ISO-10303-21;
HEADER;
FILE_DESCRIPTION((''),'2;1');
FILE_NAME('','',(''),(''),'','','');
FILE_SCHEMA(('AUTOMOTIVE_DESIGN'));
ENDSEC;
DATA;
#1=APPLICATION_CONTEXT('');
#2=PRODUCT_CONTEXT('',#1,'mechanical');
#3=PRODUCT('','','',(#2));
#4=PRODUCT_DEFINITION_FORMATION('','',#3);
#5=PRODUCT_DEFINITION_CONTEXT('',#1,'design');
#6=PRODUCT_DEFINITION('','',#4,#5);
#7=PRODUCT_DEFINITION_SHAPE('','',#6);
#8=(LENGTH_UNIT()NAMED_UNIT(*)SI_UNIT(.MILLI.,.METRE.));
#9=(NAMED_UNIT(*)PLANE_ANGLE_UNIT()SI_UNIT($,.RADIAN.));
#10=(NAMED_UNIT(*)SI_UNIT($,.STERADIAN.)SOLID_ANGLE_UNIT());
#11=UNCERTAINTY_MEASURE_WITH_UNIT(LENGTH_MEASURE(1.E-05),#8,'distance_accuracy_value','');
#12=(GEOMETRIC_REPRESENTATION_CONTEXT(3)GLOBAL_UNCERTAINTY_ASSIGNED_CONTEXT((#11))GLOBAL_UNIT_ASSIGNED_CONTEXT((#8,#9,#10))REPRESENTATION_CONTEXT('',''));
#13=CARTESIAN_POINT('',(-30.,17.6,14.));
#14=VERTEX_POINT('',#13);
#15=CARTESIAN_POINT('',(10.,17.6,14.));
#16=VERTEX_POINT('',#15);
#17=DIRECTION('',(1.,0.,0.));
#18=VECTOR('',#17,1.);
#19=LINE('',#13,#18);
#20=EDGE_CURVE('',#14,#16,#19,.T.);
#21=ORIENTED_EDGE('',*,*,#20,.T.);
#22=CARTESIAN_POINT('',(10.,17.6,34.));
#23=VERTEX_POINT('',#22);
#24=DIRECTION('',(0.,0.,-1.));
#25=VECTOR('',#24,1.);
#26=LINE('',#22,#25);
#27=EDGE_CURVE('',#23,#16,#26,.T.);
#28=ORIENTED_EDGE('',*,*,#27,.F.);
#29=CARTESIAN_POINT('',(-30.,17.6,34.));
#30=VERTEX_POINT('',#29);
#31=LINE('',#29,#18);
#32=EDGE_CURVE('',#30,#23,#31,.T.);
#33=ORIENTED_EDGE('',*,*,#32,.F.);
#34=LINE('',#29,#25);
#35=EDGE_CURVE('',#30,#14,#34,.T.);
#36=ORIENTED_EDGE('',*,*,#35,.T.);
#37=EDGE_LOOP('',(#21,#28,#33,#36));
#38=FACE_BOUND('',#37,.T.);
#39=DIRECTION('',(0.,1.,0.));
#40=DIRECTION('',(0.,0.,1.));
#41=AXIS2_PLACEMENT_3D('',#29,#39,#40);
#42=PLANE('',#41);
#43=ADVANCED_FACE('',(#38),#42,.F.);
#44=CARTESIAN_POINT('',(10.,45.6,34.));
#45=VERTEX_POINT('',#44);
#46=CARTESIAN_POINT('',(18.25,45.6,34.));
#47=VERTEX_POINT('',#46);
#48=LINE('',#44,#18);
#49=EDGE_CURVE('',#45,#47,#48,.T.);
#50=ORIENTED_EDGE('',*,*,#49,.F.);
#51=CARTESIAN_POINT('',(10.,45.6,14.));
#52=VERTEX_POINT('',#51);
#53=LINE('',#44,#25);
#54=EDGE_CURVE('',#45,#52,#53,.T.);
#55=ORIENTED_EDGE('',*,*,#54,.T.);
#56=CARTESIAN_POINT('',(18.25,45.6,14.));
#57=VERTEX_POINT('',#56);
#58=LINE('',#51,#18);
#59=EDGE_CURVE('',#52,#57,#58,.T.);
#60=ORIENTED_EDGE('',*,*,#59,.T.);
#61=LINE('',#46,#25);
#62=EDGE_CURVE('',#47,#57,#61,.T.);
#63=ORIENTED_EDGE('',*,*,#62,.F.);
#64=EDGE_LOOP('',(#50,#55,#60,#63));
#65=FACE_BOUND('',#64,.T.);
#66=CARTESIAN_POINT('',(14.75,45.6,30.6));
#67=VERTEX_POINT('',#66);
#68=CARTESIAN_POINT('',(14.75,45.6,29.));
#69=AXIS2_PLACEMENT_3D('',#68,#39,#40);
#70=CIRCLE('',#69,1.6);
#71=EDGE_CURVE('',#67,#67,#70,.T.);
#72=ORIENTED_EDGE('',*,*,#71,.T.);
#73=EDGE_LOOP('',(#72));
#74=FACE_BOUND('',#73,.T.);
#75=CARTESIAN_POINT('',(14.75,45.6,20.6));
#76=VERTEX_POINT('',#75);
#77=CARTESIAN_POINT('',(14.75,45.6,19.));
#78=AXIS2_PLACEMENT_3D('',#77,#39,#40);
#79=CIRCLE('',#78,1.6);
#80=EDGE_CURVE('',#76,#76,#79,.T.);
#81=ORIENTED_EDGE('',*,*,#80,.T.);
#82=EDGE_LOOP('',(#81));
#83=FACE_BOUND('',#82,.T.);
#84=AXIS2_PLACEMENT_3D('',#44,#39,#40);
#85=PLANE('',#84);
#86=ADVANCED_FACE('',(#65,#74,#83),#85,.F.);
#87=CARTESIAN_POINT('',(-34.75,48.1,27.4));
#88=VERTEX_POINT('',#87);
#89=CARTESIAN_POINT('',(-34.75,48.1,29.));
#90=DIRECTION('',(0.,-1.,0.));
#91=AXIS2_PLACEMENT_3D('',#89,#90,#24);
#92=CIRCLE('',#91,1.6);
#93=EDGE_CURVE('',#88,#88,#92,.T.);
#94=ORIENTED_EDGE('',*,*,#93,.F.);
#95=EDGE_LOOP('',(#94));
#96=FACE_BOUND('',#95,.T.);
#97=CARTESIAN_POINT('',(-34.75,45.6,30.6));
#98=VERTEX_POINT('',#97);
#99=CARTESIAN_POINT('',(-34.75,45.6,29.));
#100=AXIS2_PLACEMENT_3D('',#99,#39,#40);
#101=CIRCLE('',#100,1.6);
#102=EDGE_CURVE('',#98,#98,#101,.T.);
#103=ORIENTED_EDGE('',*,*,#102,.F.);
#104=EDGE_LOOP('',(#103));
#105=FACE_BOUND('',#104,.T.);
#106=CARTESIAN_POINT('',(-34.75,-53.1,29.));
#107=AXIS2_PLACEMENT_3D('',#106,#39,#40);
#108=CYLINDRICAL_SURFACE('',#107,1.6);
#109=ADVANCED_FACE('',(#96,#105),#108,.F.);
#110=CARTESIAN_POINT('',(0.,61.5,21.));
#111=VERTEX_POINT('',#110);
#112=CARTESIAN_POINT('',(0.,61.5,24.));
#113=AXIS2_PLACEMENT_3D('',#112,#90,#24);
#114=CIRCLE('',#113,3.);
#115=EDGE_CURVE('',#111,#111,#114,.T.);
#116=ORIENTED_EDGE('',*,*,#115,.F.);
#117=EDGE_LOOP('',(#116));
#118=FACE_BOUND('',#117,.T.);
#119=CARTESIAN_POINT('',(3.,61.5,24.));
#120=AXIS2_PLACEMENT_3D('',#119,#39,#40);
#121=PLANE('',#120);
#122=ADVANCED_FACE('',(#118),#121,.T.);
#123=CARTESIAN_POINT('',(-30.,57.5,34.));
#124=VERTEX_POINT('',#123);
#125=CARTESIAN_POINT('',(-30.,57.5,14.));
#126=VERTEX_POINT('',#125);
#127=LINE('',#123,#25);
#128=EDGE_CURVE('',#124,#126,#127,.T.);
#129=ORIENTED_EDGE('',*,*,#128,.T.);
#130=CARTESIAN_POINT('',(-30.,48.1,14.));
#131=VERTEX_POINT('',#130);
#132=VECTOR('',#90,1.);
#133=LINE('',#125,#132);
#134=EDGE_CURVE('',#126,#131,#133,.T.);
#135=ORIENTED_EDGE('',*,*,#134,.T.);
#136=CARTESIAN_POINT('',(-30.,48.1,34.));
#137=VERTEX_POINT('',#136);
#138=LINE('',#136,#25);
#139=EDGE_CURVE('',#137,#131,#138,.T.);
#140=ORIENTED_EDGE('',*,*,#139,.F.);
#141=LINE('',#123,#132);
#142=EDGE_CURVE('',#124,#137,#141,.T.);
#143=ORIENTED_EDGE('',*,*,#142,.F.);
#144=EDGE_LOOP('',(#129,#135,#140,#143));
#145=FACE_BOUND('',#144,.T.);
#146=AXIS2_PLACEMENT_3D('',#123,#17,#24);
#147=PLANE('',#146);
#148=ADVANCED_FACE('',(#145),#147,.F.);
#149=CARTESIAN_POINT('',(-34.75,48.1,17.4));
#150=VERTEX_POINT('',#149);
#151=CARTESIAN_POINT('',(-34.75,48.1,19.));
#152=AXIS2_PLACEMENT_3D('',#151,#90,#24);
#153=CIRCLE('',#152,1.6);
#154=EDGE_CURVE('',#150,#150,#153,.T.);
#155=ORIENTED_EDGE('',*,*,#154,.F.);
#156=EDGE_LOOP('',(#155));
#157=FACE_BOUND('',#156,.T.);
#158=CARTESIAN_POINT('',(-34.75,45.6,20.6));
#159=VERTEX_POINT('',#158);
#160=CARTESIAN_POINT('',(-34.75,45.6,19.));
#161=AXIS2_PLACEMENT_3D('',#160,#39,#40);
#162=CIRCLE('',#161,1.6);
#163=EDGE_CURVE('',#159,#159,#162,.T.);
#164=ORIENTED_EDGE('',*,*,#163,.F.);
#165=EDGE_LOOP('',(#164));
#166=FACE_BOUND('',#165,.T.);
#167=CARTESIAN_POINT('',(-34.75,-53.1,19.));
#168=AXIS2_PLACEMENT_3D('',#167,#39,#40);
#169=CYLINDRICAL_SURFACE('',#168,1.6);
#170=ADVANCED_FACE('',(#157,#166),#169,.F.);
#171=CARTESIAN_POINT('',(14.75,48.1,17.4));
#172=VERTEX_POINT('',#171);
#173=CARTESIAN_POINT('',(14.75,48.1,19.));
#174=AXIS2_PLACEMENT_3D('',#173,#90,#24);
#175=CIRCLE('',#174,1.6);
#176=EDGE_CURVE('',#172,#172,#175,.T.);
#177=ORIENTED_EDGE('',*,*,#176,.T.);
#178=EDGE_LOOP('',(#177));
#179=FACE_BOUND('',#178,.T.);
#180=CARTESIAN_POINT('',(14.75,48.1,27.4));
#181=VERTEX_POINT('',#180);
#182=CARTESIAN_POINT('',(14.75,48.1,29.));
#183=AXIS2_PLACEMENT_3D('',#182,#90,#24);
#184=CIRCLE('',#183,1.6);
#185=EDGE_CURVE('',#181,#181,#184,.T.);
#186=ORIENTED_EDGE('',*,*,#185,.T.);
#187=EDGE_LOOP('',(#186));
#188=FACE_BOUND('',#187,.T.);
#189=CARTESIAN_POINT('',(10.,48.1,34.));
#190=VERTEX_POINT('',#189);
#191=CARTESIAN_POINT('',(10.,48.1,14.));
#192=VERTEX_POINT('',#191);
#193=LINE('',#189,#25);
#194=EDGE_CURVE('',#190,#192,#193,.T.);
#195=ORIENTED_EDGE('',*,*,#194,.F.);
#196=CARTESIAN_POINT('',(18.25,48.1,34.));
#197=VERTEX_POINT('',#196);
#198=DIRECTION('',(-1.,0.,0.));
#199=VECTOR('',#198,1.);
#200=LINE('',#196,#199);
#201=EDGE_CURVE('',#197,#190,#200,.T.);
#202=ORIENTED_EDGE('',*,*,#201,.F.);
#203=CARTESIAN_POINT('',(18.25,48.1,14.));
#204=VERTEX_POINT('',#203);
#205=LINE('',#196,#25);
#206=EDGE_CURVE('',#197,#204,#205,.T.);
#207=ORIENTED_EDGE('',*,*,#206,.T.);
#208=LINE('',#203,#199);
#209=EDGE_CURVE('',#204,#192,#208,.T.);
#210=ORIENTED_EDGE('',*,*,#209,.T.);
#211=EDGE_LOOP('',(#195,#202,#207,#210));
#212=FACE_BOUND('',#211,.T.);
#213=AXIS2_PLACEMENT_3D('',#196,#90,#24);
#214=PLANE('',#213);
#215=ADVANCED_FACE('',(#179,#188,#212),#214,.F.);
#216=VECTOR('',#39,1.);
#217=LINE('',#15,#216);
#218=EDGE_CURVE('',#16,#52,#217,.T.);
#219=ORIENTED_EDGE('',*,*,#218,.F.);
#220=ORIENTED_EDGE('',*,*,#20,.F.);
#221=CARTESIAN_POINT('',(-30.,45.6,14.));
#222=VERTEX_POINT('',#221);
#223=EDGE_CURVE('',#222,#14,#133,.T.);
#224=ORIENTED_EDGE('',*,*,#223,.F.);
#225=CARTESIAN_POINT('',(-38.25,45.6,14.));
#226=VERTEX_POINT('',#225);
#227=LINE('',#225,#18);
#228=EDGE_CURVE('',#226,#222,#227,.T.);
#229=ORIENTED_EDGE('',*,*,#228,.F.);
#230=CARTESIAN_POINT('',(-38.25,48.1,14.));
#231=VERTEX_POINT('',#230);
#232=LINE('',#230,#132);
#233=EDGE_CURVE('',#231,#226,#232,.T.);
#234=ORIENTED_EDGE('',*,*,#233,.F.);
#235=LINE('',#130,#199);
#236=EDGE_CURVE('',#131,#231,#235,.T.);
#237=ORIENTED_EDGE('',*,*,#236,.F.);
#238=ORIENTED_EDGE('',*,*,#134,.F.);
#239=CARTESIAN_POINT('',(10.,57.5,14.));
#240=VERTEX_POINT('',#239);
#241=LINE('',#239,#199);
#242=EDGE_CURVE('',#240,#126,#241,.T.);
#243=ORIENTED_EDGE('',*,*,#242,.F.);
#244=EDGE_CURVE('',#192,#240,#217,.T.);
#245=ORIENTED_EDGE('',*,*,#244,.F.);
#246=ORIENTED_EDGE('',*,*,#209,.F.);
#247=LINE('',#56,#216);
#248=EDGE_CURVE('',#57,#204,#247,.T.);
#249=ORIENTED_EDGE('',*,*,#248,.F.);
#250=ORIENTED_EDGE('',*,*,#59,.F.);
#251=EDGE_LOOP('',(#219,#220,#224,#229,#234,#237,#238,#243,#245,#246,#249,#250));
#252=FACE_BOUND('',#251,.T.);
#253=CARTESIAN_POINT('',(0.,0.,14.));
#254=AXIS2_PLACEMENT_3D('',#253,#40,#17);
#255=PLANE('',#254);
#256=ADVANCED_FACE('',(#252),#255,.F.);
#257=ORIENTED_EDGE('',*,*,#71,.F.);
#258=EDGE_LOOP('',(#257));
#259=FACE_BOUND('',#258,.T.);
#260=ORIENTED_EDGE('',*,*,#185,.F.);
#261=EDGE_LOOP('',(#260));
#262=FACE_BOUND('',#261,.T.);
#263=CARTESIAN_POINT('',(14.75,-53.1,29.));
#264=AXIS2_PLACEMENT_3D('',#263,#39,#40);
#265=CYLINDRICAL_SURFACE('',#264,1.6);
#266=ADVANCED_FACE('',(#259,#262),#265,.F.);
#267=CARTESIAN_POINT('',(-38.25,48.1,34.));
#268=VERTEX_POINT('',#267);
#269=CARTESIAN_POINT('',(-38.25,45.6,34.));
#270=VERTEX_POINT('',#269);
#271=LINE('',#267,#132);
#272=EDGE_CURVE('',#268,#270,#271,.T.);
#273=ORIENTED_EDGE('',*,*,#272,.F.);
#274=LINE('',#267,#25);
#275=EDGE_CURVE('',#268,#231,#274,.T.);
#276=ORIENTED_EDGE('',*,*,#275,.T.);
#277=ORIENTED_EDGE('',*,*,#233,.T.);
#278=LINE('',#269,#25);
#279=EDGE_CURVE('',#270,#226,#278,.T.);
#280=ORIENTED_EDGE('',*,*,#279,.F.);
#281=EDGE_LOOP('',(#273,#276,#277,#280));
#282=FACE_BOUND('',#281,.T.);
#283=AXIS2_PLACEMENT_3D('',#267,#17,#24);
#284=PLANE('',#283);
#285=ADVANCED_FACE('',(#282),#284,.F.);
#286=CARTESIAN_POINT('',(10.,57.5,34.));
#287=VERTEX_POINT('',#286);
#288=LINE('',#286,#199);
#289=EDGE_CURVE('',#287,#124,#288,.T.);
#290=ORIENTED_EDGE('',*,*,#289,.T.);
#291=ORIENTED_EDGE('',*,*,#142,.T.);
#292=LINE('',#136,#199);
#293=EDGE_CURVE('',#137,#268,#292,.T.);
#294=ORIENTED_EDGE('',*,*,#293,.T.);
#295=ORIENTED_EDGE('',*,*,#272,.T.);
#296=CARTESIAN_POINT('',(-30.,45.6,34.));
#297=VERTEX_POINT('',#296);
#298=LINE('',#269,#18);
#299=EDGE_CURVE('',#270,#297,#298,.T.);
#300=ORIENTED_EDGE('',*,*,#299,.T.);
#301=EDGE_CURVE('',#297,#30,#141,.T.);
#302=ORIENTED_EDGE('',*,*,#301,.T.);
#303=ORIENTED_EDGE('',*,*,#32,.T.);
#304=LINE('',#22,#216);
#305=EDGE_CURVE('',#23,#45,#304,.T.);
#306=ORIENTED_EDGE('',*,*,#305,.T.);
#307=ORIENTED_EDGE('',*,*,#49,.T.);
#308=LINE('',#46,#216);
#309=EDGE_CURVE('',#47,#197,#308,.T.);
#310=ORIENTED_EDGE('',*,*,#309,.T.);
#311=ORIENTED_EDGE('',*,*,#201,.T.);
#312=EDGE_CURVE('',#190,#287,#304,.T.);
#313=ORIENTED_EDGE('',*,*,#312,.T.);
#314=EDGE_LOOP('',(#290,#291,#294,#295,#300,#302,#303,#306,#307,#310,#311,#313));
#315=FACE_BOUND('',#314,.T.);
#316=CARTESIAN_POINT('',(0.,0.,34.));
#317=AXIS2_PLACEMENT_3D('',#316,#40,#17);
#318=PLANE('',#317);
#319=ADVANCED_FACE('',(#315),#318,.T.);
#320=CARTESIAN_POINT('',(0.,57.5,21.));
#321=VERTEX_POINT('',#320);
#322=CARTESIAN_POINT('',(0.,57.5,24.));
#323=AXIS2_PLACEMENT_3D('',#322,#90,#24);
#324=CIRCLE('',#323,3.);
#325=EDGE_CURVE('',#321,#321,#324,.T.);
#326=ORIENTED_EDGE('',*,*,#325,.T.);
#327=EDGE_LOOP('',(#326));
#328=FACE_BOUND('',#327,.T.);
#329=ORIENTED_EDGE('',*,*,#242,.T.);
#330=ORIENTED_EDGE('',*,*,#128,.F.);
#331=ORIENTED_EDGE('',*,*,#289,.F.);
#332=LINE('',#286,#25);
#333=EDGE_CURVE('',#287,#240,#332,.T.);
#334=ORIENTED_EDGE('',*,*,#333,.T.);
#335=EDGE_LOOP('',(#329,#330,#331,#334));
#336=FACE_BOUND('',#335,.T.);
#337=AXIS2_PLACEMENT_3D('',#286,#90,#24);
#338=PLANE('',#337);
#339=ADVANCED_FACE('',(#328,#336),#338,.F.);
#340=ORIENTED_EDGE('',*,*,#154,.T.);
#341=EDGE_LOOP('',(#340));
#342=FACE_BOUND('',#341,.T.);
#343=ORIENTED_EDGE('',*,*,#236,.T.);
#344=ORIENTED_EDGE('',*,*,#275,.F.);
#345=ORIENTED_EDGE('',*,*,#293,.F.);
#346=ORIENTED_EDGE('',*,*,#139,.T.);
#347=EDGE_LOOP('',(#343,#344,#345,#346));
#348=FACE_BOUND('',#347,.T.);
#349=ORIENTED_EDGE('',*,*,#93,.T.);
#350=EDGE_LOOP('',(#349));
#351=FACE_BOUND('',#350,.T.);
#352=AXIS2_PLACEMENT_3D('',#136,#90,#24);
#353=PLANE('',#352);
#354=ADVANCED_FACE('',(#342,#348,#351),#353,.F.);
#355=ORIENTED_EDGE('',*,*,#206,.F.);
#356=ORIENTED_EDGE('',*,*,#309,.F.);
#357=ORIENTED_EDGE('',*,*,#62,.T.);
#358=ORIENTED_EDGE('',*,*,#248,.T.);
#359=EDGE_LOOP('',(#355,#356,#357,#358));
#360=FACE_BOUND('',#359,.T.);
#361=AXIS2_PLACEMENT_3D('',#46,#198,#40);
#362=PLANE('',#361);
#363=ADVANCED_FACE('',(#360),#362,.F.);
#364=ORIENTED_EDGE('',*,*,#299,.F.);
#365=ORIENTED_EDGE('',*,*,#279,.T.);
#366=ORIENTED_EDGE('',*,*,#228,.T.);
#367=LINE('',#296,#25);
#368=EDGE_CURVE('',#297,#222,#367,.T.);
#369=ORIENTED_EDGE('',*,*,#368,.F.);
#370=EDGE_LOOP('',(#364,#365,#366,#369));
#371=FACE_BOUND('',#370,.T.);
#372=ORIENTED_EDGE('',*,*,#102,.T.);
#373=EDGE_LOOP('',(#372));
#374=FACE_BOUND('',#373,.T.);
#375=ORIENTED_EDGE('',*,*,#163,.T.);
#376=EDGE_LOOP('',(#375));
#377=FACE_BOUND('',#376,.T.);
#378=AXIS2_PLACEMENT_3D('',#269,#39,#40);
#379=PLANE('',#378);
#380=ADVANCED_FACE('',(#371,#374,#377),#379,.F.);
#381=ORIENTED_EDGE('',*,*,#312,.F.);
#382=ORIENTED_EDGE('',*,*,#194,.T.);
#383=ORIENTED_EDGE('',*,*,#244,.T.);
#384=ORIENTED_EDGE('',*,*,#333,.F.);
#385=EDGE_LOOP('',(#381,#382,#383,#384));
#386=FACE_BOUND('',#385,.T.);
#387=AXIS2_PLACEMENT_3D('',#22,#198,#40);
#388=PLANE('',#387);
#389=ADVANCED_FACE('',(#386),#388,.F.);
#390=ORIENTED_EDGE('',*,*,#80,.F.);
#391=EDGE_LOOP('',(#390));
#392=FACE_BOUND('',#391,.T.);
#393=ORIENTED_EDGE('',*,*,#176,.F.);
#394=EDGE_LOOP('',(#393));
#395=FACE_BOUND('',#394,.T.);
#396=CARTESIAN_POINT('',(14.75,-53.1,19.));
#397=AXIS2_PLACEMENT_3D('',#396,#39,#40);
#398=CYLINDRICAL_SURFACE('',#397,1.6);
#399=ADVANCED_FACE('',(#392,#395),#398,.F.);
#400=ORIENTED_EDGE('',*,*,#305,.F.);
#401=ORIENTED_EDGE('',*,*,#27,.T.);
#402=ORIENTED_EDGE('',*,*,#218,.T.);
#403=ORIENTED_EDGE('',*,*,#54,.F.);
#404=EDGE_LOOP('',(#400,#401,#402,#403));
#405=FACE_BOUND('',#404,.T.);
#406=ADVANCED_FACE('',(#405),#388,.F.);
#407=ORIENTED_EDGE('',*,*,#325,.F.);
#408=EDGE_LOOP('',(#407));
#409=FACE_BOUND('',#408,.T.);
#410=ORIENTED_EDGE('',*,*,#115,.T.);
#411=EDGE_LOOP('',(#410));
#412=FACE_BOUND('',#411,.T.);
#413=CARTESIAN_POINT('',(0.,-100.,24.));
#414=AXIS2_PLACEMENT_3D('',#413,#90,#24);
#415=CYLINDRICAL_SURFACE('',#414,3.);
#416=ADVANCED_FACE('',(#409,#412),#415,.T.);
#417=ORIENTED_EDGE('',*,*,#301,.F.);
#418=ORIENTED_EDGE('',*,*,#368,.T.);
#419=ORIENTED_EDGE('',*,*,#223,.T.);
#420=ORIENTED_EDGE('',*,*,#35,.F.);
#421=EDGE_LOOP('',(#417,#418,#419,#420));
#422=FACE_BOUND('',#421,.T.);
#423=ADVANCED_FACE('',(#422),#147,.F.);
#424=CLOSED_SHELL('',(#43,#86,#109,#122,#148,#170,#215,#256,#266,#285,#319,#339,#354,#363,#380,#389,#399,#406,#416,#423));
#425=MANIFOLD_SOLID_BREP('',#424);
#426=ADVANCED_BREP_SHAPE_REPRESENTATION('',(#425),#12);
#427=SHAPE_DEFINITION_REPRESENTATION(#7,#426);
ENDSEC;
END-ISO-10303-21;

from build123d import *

# Parameters (mm, degrees)
CASE_SKETCH_W      = 40
CASE_SKETCH_H      = 39.9
CASE_2_DEPTH       = 20
TABS_SKETCH_W      = 8.25
TABS_SKETCH_H      = 2.5
TABS_DEPTH         = 20
SHAFT_SKETCH_W     = 3
SHAFT_SKETCH_H     = 4
TAB_HOLES_SKETCH_R = 1.6
TAB_HOLES_DEPTH    = 53.1


with BuildPart() as part:
    # Case Sketch → Case 2 (new body)
    with BuildSketch(Plane.XY.offset(14)):
        with Locations((-10, 37.55)):
            Rectangle(CASE_SKETCH_W, CASE_SKETCH_H)
    extrude(amount=CASE_2_DEPTH)

    # Tabs Sketch → Tabs (add)
    with BuildSketch(Plane.XY.offset(14)):
        with Locations((-34.125, 46.85)):
            Rectangle(TABS_SKETCH_W, TABS_SKETCH_H)
        with Locations((14.125, 46.85)):
            Rectangle(TABS_SKETCH_W, TABS_SKETCH_H)
    extrude(amount=TABS_DEPTH)

    # Shaft Sketch → Shaft (revolve)
    with BuildSketch(Plane.XY.offset(24)):
        with Locations((1.5, 59.5)):
            Rectangle(SHAFT_SKETCH_W, SHAFT_SKETCH_H)
    revolve(axis=Axis((0, -100, 24), (0, 1, 0)))

    # Tab Holes Sketch → Tab Holes (cut, symmetric)
    with BuildSketch(Plane(origin=(0, 0, 0), x_dir=(1, 0, 0), z_dir=(0, 1, 0))):
        with Locations((-34.75, -19)):
            Circle(TAB_HOLES_SKETCH_R)
        with Locations((-34.75, -29)):
            Circle(TAB_HOLES_SKETCH_R)
        with Locations((14.75, -19)):
            Circle(TAB_HOLES_SKETCH_R)
        with Locations((14.75, -29)):
            Circle(TAB_HOLES_SKETCH_R)
    extrude(amount=TAB_HOLES_DEPTH, both=True, mode=Mode.SUBTRACT)


solid = part.part
